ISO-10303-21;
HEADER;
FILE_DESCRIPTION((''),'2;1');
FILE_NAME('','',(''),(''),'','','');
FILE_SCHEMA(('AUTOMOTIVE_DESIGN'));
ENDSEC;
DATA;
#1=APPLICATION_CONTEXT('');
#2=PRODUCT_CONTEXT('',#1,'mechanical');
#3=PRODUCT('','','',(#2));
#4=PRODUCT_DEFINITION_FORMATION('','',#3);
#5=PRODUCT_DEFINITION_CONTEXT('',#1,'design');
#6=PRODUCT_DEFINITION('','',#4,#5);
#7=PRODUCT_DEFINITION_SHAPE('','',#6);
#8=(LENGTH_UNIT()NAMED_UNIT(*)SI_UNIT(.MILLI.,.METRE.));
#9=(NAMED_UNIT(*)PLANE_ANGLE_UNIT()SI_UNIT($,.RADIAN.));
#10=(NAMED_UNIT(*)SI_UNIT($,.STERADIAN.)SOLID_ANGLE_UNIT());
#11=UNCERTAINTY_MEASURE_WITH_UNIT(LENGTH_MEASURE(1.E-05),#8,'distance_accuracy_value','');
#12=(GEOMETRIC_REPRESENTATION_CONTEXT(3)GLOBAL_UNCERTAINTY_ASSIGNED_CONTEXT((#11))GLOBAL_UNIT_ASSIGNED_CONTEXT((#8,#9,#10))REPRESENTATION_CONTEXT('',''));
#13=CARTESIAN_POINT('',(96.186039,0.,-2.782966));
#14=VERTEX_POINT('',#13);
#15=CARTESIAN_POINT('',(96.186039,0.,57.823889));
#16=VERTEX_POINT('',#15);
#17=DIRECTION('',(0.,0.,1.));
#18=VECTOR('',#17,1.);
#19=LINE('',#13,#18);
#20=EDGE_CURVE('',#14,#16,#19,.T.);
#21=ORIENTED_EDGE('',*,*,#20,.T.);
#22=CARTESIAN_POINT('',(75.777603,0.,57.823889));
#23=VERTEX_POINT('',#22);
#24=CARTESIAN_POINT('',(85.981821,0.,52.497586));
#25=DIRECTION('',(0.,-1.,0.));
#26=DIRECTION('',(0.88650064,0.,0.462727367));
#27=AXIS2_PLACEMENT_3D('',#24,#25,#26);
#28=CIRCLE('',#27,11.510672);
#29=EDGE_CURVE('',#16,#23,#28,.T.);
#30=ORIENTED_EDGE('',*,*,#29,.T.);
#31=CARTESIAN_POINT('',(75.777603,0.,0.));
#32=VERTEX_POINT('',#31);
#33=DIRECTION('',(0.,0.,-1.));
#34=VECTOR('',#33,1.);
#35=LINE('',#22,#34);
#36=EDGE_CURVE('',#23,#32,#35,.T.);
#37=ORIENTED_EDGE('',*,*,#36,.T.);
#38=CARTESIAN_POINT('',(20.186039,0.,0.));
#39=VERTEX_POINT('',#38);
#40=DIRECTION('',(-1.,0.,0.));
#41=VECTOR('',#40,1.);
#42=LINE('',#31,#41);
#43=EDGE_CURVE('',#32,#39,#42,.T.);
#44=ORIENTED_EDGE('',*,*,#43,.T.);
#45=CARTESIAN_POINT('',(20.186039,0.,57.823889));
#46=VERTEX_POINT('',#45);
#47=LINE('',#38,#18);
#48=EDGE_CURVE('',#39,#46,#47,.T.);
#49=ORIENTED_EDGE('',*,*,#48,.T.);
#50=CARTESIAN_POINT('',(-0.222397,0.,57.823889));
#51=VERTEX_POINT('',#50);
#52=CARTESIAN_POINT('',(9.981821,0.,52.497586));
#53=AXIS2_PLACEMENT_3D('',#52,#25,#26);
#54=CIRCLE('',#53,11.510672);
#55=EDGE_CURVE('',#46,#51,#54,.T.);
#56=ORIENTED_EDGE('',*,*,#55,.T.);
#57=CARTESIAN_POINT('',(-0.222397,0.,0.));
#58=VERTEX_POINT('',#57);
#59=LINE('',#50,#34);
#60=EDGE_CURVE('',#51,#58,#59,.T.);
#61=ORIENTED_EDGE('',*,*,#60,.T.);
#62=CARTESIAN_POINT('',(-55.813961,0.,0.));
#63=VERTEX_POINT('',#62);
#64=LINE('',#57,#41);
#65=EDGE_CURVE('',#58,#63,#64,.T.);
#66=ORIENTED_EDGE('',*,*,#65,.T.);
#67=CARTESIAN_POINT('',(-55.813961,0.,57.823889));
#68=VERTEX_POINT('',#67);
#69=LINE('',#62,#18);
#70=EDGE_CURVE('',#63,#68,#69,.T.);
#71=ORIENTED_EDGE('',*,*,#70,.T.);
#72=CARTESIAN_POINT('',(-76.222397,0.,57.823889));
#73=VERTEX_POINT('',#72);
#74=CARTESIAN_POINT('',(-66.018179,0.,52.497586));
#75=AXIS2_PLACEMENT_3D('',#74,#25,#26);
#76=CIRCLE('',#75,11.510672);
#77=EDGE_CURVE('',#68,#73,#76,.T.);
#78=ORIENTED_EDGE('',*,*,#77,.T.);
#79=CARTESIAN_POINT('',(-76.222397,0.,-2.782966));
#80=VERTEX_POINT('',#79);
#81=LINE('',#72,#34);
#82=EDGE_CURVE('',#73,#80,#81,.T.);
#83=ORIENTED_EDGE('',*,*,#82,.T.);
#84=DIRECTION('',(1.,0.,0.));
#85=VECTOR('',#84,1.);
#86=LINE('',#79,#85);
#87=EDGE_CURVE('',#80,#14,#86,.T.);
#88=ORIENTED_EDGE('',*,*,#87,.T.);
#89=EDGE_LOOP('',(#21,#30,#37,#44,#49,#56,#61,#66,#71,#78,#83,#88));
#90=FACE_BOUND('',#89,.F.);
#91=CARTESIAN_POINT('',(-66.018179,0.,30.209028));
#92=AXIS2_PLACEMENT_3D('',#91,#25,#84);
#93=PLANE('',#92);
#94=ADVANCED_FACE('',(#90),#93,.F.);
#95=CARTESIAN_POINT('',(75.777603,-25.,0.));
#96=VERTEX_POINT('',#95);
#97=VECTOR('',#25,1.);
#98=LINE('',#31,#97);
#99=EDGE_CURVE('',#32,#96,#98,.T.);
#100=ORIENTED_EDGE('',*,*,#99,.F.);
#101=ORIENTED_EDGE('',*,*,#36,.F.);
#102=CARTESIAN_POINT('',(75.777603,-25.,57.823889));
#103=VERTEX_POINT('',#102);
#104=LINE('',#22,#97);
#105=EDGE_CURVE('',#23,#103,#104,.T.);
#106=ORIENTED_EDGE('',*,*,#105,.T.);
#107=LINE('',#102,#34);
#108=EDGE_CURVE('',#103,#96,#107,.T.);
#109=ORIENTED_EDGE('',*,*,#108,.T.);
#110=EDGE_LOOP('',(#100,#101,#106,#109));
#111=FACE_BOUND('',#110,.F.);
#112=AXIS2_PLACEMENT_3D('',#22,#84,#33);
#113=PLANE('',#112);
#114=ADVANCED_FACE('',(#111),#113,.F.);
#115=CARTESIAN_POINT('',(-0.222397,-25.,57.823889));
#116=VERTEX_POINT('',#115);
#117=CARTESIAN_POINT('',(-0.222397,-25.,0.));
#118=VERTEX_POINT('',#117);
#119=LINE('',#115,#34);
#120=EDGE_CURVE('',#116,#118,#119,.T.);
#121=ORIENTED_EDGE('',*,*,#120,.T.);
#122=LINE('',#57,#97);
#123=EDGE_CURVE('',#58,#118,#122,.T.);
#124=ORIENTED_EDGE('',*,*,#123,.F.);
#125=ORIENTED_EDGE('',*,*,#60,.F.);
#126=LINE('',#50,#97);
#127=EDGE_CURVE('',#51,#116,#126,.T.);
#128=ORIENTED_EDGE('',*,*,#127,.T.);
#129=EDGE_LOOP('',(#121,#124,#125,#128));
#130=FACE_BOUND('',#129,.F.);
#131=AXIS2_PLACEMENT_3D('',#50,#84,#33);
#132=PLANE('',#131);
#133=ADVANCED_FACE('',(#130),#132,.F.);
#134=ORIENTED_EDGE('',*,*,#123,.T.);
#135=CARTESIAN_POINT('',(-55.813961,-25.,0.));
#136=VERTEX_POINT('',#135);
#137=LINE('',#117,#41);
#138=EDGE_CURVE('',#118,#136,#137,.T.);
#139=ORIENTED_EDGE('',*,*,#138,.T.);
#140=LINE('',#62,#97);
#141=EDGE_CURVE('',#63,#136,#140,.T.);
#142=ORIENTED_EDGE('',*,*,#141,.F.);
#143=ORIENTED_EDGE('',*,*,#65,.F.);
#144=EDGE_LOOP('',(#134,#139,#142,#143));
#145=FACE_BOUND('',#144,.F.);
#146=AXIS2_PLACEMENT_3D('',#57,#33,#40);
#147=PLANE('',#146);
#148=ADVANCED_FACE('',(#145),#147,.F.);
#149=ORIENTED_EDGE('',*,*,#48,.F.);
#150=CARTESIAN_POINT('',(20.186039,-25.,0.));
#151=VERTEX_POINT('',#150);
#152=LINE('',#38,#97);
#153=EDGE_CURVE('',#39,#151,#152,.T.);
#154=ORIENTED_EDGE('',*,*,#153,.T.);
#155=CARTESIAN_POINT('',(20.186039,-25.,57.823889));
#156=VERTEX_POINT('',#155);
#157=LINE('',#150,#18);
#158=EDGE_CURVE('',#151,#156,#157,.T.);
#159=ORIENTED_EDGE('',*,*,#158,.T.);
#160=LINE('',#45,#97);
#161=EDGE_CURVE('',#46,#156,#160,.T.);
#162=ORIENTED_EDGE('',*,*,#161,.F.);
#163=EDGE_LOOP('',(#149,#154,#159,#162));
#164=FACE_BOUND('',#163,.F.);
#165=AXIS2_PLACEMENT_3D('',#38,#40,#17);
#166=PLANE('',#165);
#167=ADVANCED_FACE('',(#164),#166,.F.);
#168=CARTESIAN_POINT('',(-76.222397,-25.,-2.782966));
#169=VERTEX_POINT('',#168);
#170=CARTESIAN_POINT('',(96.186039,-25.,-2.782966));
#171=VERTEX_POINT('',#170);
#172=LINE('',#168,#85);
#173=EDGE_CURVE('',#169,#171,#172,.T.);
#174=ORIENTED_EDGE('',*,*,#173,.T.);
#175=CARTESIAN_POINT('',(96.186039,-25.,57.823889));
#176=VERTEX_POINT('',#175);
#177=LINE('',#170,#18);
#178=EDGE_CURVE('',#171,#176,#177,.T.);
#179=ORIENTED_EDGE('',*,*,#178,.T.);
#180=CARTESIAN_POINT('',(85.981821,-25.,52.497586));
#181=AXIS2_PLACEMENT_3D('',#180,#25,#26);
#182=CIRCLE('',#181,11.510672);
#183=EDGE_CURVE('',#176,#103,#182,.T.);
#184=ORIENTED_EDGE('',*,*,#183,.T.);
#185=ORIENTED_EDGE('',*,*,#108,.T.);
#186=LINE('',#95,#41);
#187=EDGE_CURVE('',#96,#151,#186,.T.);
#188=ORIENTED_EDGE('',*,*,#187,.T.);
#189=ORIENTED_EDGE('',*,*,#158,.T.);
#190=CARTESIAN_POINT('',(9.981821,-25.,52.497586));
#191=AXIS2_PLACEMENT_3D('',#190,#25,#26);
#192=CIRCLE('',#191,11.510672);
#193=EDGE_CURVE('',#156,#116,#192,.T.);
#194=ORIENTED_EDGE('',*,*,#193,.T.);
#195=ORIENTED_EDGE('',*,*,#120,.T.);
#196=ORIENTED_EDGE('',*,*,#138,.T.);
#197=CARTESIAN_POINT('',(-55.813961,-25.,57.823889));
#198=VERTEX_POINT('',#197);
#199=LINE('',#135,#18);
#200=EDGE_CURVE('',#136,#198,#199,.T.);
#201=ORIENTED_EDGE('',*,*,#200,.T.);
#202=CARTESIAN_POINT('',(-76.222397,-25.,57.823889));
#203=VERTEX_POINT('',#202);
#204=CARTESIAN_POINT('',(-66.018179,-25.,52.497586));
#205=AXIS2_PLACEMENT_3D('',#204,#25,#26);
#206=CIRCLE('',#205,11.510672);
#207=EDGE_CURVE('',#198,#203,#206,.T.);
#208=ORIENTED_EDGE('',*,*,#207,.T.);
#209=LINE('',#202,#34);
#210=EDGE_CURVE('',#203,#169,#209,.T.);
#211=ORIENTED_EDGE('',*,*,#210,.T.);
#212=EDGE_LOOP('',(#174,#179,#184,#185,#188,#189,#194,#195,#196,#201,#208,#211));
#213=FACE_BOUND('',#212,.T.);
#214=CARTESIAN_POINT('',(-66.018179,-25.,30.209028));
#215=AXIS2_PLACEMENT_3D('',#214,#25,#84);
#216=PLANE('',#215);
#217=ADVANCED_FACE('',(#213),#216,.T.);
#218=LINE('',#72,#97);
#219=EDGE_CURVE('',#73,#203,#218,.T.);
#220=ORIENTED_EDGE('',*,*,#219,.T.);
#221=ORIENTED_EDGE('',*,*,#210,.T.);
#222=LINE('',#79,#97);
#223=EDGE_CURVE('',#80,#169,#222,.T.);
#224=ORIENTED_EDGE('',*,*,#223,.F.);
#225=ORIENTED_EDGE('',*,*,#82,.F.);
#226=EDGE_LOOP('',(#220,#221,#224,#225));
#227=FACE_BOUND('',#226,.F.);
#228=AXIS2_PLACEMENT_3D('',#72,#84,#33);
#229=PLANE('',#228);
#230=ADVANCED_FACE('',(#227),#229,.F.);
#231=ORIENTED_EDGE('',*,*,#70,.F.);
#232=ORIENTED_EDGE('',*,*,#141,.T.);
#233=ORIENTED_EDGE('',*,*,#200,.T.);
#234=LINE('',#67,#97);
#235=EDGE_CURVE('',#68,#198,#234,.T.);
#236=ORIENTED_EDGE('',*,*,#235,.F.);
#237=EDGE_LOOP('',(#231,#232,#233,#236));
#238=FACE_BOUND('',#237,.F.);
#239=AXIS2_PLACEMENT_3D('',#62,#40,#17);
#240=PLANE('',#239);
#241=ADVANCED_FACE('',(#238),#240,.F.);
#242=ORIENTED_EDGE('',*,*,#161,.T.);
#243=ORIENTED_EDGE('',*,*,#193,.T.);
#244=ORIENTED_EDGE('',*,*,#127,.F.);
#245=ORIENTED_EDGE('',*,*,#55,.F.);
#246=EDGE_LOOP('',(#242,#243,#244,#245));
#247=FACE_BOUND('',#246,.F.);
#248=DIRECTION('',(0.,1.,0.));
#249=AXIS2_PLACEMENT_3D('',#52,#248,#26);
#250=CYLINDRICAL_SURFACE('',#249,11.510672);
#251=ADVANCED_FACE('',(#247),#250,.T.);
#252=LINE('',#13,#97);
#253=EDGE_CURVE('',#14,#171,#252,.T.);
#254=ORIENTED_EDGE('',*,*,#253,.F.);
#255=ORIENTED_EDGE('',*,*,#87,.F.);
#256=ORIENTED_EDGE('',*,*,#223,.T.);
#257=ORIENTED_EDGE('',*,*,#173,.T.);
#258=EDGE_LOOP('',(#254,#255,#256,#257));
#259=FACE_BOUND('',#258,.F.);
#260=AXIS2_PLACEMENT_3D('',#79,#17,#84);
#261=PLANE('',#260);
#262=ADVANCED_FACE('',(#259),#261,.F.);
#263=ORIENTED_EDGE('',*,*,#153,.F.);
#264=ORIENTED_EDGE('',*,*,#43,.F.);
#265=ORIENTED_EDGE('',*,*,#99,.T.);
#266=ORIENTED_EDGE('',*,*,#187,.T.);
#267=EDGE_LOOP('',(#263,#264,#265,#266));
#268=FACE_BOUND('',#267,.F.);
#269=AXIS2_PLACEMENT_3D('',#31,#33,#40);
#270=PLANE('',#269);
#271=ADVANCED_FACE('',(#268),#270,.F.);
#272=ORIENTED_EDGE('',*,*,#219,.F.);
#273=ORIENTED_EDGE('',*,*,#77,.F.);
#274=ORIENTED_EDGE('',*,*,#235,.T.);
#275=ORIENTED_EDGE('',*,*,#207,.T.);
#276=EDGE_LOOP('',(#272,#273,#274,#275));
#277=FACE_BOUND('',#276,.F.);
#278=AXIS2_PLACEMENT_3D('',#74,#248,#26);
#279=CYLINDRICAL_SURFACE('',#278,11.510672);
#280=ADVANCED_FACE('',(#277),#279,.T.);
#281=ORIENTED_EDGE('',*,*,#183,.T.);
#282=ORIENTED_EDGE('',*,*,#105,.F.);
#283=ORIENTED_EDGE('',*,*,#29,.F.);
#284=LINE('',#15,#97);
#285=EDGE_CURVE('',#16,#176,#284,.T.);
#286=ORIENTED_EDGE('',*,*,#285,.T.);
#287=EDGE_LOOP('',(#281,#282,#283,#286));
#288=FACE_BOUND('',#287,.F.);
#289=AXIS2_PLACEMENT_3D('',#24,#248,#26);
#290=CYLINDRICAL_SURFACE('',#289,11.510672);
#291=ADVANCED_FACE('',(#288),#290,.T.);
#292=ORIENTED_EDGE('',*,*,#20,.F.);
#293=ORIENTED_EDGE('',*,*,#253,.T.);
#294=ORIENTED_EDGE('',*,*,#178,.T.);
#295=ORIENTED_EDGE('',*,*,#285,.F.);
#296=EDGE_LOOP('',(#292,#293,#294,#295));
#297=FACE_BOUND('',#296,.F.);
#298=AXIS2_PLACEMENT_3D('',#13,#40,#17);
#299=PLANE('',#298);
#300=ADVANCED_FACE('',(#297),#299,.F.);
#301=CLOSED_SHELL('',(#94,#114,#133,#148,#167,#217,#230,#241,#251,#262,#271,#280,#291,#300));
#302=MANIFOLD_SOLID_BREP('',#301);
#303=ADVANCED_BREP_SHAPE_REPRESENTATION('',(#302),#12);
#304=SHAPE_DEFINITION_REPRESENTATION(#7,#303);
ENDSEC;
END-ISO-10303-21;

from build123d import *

# Parameters (mm, degrees)
F1_DEPTH = 25


with BuildPart() as f1:
    # F0 (on Front) → F1 (new body)
    with BuildSketch(Plane.XZ):
        with BuildLine():
            Line((-76.222397, 57.823889), (-76.222397, 0))
            Line((-76.222397, 0), (-55.813961, 0))
            Line((-55.813961, 0), (-55.813961, 57.823889))
            ThreePointArc((-55.813961, 57.823889), (-66.018179, 64.008258), (-76.222397, 57.823889))
        make_face()
        with BuildLine():
            Line((-0.222397, 57.823889), (-0.222397, 0))
            Line((-0.222397, 0), (20.186039, 0))
            Line((20.186039, 0), (20.186039, 57.823889))
            ThreePointArc((20.186039, 57.823889), (9.981821, 64.008258), (-0.222397, 57.823889))
        make_face()
        with BuildLine():
            Line((75.777603, 0), (96.186039, 0))
            Line((96.186039, 0), (96.186039, 57.823889))
            ThreePointArc((96.186039, 57.823889), (85.981821, 64.008258), (75.777603, 57.823889))
            Line((75.777603, 57.823889), (75.777603, 0))
        make_face()
        Polygon((-55.813961, 0), (-76.222397, 0), (-76.222397, -2.782966), (96.186039, -2.782966), (96.186039, 0), (75.777603, 0), (65.26417, 0), (20.186039, 0), (-0.222397, 0), (-10.73583, 0), align=None)
    extrude(amount=F1_DEPTH)


solid = f1.part
